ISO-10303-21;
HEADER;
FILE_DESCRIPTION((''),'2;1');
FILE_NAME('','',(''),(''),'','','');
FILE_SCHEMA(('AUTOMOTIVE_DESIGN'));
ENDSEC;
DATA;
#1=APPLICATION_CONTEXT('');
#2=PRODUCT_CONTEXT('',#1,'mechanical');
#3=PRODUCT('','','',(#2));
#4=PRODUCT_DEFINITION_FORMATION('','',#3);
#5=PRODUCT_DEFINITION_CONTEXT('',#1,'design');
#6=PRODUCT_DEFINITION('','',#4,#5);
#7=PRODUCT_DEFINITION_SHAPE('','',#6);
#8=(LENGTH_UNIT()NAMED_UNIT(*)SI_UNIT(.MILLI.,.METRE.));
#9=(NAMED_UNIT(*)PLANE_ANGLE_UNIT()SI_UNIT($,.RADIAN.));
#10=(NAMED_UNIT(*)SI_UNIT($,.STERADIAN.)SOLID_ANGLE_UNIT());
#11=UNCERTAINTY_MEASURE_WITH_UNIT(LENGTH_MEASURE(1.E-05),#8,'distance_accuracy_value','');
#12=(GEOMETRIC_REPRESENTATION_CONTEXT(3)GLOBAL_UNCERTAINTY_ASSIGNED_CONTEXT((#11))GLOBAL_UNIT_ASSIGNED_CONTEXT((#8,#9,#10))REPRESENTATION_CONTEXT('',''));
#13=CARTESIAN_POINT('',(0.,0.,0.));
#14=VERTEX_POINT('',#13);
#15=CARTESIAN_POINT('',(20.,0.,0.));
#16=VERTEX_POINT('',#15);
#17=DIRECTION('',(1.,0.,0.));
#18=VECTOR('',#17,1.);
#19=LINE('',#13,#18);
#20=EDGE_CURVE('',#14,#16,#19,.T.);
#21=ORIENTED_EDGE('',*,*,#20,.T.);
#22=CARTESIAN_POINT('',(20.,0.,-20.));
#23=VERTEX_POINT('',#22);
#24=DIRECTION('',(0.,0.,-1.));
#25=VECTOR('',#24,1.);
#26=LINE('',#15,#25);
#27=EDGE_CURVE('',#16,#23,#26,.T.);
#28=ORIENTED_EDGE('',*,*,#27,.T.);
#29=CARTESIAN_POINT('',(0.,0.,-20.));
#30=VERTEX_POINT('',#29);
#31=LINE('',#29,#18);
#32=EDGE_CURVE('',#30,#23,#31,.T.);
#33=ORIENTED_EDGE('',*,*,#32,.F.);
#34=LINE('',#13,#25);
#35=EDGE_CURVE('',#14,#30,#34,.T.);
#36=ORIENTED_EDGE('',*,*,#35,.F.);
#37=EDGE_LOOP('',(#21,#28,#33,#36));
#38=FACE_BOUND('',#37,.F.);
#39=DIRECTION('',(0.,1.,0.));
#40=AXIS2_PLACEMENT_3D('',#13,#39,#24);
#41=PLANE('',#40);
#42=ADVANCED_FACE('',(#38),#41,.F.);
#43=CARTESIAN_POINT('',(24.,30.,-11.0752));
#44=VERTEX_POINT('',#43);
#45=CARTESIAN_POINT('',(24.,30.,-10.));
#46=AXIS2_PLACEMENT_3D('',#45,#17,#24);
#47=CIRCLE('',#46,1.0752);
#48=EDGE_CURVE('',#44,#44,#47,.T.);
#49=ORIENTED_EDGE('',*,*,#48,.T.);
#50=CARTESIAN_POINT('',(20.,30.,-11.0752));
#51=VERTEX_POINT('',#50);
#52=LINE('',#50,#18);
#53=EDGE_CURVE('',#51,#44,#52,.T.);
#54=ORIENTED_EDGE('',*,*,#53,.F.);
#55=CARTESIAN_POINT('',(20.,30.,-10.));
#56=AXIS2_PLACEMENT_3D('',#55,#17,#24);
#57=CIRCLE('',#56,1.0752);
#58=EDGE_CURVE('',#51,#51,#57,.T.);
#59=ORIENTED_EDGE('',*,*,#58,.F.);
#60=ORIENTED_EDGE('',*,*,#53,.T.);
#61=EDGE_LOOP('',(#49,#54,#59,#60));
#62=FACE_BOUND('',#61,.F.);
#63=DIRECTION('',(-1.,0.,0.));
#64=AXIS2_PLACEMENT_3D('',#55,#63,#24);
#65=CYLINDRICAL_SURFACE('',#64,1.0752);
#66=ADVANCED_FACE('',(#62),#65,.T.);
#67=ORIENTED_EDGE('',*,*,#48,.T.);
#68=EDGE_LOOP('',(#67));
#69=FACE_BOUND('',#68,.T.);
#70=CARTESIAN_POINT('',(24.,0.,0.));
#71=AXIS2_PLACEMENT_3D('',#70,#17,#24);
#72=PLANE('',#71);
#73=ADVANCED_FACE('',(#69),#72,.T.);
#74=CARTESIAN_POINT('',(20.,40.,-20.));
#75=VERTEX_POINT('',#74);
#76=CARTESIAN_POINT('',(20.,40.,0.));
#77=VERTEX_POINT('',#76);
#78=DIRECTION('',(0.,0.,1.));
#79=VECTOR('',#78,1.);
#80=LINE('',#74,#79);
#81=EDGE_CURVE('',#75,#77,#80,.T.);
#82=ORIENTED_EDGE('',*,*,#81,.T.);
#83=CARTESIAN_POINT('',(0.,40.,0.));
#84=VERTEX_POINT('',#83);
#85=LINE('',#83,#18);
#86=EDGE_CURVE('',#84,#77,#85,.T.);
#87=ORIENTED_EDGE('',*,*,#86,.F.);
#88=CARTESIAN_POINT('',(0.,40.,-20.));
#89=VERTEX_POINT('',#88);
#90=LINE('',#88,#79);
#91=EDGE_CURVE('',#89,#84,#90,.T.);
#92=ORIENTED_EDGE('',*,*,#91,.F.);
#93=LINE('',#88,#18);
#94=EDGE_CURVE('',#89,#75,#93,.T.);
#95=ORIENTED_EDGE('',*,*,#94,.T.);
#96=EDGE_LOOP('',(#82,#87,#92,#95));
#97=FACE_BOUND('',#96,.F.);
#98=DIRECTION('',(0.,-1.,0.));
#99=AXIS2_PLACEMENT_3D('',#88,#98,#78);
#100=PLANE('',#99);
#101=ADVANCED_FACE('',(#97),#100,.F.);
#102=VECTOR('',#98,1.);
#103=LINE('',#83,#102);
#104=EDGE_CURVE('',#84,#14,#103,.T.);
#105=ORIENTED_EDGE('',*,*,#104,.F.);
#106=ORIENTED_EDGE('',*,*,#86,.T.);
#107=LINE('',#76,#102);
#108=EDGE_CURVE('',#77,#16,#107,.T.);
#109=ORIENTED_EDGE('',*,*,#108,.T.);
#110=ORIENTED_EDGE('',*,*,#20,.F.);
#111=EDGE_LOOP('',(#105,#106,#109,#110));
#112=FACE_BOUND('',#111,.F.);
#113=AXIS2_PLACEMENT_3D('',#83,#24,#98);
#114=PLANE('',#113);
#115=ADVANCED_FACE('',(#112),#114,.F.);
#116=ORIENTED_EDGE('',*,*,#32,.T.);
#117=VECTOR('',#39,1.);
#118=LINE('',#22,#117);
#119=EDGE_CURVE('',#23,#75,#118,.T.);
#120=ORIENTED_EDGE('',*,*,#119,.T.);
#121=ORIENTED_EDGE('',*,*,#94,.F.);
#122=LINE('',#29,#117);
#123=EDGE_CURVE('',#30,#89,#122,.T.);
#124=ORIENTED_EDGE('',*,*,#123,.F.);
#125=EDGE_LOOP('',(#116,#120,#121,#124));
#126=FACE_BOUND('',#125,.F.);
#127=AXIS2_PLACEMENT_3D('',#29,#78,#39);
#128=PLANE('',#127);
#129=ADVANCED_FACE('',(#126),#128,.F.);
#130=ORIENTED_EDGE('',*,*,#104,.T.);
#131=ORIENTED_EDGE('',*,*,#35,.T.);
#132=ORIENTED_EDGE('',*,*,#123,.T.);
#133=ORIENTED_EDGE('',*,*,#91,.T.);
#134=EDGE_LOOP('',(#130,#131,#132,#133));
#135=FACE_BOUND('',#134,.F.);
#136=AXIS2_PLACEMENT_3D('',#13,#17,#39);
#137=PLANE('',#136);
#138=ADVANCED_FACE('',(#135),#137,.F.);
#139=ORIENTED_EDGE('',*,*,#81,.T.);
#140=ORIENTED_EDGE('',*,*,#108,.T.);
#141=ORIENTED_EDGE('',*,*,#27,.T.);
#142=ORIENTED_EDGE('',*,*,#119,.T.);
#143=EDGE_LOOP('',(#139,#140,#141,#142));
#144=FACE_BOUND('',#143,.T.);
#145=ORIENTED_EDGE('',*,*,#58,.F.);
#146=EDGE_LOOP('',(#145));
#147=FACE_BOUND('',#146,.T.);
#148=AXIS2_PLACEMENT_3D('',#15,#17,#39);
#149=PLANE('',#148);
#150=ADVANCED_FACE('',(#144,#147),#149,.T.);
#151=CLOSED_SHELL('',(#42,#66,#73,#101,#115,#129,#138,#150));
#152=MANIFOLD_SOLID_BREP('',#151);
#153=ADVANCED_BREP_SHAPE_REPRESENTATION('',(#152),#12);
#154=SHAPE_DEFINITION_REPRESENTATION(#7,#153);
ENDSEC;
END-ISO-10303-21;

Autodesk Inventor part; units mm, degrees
ref_plane "YZ Plane" through (0, 0, 0) normal (1, 0, 0) x (0, 1, 0)
ref_plane "XZ Plane" through (0, 0, 0) normal (0, 1, 0) x (-1, 0, 0)
ref_plane "XY Plane" through (0, 0, 0) normal (0, 0, 1) x (1, 0, 0)
sketch "Эскиз1" plane through (0, 0, 0) normal (1, 0, 0) x (0, 1, 0)
  line L0 (0, 0) -> (0, -20)
  line L1 (0, -20) -> (40, -20)
  line L2 (40, -20) -> (40, 0)
  line L3 (40, 0) -> (0, 0)
  dimension "d0" = 40
  dimension "d1" = 20
extrude "Выдавливание1" add sketch "Эскиз1" along normal blind 20
sketch "Эскиз2" plane through (20, 0, 0) normal (1, 0, 0) x (0, 0, -1)
  circle A0 centre (10, 30) radius 1.0752
  line L0 (20, 0) -> (20, 40) projected
  line L1 (20, 40) -> (0, 40) projected
  point P0 (0, 0)
  dimension "d4" = 10
  dimension "d5" = 10
  dimension "d6" = 2.1503
extrude "Выдавливание2" add sketch "Эскиз2" along normal blind 4
properties part number "мотор"
